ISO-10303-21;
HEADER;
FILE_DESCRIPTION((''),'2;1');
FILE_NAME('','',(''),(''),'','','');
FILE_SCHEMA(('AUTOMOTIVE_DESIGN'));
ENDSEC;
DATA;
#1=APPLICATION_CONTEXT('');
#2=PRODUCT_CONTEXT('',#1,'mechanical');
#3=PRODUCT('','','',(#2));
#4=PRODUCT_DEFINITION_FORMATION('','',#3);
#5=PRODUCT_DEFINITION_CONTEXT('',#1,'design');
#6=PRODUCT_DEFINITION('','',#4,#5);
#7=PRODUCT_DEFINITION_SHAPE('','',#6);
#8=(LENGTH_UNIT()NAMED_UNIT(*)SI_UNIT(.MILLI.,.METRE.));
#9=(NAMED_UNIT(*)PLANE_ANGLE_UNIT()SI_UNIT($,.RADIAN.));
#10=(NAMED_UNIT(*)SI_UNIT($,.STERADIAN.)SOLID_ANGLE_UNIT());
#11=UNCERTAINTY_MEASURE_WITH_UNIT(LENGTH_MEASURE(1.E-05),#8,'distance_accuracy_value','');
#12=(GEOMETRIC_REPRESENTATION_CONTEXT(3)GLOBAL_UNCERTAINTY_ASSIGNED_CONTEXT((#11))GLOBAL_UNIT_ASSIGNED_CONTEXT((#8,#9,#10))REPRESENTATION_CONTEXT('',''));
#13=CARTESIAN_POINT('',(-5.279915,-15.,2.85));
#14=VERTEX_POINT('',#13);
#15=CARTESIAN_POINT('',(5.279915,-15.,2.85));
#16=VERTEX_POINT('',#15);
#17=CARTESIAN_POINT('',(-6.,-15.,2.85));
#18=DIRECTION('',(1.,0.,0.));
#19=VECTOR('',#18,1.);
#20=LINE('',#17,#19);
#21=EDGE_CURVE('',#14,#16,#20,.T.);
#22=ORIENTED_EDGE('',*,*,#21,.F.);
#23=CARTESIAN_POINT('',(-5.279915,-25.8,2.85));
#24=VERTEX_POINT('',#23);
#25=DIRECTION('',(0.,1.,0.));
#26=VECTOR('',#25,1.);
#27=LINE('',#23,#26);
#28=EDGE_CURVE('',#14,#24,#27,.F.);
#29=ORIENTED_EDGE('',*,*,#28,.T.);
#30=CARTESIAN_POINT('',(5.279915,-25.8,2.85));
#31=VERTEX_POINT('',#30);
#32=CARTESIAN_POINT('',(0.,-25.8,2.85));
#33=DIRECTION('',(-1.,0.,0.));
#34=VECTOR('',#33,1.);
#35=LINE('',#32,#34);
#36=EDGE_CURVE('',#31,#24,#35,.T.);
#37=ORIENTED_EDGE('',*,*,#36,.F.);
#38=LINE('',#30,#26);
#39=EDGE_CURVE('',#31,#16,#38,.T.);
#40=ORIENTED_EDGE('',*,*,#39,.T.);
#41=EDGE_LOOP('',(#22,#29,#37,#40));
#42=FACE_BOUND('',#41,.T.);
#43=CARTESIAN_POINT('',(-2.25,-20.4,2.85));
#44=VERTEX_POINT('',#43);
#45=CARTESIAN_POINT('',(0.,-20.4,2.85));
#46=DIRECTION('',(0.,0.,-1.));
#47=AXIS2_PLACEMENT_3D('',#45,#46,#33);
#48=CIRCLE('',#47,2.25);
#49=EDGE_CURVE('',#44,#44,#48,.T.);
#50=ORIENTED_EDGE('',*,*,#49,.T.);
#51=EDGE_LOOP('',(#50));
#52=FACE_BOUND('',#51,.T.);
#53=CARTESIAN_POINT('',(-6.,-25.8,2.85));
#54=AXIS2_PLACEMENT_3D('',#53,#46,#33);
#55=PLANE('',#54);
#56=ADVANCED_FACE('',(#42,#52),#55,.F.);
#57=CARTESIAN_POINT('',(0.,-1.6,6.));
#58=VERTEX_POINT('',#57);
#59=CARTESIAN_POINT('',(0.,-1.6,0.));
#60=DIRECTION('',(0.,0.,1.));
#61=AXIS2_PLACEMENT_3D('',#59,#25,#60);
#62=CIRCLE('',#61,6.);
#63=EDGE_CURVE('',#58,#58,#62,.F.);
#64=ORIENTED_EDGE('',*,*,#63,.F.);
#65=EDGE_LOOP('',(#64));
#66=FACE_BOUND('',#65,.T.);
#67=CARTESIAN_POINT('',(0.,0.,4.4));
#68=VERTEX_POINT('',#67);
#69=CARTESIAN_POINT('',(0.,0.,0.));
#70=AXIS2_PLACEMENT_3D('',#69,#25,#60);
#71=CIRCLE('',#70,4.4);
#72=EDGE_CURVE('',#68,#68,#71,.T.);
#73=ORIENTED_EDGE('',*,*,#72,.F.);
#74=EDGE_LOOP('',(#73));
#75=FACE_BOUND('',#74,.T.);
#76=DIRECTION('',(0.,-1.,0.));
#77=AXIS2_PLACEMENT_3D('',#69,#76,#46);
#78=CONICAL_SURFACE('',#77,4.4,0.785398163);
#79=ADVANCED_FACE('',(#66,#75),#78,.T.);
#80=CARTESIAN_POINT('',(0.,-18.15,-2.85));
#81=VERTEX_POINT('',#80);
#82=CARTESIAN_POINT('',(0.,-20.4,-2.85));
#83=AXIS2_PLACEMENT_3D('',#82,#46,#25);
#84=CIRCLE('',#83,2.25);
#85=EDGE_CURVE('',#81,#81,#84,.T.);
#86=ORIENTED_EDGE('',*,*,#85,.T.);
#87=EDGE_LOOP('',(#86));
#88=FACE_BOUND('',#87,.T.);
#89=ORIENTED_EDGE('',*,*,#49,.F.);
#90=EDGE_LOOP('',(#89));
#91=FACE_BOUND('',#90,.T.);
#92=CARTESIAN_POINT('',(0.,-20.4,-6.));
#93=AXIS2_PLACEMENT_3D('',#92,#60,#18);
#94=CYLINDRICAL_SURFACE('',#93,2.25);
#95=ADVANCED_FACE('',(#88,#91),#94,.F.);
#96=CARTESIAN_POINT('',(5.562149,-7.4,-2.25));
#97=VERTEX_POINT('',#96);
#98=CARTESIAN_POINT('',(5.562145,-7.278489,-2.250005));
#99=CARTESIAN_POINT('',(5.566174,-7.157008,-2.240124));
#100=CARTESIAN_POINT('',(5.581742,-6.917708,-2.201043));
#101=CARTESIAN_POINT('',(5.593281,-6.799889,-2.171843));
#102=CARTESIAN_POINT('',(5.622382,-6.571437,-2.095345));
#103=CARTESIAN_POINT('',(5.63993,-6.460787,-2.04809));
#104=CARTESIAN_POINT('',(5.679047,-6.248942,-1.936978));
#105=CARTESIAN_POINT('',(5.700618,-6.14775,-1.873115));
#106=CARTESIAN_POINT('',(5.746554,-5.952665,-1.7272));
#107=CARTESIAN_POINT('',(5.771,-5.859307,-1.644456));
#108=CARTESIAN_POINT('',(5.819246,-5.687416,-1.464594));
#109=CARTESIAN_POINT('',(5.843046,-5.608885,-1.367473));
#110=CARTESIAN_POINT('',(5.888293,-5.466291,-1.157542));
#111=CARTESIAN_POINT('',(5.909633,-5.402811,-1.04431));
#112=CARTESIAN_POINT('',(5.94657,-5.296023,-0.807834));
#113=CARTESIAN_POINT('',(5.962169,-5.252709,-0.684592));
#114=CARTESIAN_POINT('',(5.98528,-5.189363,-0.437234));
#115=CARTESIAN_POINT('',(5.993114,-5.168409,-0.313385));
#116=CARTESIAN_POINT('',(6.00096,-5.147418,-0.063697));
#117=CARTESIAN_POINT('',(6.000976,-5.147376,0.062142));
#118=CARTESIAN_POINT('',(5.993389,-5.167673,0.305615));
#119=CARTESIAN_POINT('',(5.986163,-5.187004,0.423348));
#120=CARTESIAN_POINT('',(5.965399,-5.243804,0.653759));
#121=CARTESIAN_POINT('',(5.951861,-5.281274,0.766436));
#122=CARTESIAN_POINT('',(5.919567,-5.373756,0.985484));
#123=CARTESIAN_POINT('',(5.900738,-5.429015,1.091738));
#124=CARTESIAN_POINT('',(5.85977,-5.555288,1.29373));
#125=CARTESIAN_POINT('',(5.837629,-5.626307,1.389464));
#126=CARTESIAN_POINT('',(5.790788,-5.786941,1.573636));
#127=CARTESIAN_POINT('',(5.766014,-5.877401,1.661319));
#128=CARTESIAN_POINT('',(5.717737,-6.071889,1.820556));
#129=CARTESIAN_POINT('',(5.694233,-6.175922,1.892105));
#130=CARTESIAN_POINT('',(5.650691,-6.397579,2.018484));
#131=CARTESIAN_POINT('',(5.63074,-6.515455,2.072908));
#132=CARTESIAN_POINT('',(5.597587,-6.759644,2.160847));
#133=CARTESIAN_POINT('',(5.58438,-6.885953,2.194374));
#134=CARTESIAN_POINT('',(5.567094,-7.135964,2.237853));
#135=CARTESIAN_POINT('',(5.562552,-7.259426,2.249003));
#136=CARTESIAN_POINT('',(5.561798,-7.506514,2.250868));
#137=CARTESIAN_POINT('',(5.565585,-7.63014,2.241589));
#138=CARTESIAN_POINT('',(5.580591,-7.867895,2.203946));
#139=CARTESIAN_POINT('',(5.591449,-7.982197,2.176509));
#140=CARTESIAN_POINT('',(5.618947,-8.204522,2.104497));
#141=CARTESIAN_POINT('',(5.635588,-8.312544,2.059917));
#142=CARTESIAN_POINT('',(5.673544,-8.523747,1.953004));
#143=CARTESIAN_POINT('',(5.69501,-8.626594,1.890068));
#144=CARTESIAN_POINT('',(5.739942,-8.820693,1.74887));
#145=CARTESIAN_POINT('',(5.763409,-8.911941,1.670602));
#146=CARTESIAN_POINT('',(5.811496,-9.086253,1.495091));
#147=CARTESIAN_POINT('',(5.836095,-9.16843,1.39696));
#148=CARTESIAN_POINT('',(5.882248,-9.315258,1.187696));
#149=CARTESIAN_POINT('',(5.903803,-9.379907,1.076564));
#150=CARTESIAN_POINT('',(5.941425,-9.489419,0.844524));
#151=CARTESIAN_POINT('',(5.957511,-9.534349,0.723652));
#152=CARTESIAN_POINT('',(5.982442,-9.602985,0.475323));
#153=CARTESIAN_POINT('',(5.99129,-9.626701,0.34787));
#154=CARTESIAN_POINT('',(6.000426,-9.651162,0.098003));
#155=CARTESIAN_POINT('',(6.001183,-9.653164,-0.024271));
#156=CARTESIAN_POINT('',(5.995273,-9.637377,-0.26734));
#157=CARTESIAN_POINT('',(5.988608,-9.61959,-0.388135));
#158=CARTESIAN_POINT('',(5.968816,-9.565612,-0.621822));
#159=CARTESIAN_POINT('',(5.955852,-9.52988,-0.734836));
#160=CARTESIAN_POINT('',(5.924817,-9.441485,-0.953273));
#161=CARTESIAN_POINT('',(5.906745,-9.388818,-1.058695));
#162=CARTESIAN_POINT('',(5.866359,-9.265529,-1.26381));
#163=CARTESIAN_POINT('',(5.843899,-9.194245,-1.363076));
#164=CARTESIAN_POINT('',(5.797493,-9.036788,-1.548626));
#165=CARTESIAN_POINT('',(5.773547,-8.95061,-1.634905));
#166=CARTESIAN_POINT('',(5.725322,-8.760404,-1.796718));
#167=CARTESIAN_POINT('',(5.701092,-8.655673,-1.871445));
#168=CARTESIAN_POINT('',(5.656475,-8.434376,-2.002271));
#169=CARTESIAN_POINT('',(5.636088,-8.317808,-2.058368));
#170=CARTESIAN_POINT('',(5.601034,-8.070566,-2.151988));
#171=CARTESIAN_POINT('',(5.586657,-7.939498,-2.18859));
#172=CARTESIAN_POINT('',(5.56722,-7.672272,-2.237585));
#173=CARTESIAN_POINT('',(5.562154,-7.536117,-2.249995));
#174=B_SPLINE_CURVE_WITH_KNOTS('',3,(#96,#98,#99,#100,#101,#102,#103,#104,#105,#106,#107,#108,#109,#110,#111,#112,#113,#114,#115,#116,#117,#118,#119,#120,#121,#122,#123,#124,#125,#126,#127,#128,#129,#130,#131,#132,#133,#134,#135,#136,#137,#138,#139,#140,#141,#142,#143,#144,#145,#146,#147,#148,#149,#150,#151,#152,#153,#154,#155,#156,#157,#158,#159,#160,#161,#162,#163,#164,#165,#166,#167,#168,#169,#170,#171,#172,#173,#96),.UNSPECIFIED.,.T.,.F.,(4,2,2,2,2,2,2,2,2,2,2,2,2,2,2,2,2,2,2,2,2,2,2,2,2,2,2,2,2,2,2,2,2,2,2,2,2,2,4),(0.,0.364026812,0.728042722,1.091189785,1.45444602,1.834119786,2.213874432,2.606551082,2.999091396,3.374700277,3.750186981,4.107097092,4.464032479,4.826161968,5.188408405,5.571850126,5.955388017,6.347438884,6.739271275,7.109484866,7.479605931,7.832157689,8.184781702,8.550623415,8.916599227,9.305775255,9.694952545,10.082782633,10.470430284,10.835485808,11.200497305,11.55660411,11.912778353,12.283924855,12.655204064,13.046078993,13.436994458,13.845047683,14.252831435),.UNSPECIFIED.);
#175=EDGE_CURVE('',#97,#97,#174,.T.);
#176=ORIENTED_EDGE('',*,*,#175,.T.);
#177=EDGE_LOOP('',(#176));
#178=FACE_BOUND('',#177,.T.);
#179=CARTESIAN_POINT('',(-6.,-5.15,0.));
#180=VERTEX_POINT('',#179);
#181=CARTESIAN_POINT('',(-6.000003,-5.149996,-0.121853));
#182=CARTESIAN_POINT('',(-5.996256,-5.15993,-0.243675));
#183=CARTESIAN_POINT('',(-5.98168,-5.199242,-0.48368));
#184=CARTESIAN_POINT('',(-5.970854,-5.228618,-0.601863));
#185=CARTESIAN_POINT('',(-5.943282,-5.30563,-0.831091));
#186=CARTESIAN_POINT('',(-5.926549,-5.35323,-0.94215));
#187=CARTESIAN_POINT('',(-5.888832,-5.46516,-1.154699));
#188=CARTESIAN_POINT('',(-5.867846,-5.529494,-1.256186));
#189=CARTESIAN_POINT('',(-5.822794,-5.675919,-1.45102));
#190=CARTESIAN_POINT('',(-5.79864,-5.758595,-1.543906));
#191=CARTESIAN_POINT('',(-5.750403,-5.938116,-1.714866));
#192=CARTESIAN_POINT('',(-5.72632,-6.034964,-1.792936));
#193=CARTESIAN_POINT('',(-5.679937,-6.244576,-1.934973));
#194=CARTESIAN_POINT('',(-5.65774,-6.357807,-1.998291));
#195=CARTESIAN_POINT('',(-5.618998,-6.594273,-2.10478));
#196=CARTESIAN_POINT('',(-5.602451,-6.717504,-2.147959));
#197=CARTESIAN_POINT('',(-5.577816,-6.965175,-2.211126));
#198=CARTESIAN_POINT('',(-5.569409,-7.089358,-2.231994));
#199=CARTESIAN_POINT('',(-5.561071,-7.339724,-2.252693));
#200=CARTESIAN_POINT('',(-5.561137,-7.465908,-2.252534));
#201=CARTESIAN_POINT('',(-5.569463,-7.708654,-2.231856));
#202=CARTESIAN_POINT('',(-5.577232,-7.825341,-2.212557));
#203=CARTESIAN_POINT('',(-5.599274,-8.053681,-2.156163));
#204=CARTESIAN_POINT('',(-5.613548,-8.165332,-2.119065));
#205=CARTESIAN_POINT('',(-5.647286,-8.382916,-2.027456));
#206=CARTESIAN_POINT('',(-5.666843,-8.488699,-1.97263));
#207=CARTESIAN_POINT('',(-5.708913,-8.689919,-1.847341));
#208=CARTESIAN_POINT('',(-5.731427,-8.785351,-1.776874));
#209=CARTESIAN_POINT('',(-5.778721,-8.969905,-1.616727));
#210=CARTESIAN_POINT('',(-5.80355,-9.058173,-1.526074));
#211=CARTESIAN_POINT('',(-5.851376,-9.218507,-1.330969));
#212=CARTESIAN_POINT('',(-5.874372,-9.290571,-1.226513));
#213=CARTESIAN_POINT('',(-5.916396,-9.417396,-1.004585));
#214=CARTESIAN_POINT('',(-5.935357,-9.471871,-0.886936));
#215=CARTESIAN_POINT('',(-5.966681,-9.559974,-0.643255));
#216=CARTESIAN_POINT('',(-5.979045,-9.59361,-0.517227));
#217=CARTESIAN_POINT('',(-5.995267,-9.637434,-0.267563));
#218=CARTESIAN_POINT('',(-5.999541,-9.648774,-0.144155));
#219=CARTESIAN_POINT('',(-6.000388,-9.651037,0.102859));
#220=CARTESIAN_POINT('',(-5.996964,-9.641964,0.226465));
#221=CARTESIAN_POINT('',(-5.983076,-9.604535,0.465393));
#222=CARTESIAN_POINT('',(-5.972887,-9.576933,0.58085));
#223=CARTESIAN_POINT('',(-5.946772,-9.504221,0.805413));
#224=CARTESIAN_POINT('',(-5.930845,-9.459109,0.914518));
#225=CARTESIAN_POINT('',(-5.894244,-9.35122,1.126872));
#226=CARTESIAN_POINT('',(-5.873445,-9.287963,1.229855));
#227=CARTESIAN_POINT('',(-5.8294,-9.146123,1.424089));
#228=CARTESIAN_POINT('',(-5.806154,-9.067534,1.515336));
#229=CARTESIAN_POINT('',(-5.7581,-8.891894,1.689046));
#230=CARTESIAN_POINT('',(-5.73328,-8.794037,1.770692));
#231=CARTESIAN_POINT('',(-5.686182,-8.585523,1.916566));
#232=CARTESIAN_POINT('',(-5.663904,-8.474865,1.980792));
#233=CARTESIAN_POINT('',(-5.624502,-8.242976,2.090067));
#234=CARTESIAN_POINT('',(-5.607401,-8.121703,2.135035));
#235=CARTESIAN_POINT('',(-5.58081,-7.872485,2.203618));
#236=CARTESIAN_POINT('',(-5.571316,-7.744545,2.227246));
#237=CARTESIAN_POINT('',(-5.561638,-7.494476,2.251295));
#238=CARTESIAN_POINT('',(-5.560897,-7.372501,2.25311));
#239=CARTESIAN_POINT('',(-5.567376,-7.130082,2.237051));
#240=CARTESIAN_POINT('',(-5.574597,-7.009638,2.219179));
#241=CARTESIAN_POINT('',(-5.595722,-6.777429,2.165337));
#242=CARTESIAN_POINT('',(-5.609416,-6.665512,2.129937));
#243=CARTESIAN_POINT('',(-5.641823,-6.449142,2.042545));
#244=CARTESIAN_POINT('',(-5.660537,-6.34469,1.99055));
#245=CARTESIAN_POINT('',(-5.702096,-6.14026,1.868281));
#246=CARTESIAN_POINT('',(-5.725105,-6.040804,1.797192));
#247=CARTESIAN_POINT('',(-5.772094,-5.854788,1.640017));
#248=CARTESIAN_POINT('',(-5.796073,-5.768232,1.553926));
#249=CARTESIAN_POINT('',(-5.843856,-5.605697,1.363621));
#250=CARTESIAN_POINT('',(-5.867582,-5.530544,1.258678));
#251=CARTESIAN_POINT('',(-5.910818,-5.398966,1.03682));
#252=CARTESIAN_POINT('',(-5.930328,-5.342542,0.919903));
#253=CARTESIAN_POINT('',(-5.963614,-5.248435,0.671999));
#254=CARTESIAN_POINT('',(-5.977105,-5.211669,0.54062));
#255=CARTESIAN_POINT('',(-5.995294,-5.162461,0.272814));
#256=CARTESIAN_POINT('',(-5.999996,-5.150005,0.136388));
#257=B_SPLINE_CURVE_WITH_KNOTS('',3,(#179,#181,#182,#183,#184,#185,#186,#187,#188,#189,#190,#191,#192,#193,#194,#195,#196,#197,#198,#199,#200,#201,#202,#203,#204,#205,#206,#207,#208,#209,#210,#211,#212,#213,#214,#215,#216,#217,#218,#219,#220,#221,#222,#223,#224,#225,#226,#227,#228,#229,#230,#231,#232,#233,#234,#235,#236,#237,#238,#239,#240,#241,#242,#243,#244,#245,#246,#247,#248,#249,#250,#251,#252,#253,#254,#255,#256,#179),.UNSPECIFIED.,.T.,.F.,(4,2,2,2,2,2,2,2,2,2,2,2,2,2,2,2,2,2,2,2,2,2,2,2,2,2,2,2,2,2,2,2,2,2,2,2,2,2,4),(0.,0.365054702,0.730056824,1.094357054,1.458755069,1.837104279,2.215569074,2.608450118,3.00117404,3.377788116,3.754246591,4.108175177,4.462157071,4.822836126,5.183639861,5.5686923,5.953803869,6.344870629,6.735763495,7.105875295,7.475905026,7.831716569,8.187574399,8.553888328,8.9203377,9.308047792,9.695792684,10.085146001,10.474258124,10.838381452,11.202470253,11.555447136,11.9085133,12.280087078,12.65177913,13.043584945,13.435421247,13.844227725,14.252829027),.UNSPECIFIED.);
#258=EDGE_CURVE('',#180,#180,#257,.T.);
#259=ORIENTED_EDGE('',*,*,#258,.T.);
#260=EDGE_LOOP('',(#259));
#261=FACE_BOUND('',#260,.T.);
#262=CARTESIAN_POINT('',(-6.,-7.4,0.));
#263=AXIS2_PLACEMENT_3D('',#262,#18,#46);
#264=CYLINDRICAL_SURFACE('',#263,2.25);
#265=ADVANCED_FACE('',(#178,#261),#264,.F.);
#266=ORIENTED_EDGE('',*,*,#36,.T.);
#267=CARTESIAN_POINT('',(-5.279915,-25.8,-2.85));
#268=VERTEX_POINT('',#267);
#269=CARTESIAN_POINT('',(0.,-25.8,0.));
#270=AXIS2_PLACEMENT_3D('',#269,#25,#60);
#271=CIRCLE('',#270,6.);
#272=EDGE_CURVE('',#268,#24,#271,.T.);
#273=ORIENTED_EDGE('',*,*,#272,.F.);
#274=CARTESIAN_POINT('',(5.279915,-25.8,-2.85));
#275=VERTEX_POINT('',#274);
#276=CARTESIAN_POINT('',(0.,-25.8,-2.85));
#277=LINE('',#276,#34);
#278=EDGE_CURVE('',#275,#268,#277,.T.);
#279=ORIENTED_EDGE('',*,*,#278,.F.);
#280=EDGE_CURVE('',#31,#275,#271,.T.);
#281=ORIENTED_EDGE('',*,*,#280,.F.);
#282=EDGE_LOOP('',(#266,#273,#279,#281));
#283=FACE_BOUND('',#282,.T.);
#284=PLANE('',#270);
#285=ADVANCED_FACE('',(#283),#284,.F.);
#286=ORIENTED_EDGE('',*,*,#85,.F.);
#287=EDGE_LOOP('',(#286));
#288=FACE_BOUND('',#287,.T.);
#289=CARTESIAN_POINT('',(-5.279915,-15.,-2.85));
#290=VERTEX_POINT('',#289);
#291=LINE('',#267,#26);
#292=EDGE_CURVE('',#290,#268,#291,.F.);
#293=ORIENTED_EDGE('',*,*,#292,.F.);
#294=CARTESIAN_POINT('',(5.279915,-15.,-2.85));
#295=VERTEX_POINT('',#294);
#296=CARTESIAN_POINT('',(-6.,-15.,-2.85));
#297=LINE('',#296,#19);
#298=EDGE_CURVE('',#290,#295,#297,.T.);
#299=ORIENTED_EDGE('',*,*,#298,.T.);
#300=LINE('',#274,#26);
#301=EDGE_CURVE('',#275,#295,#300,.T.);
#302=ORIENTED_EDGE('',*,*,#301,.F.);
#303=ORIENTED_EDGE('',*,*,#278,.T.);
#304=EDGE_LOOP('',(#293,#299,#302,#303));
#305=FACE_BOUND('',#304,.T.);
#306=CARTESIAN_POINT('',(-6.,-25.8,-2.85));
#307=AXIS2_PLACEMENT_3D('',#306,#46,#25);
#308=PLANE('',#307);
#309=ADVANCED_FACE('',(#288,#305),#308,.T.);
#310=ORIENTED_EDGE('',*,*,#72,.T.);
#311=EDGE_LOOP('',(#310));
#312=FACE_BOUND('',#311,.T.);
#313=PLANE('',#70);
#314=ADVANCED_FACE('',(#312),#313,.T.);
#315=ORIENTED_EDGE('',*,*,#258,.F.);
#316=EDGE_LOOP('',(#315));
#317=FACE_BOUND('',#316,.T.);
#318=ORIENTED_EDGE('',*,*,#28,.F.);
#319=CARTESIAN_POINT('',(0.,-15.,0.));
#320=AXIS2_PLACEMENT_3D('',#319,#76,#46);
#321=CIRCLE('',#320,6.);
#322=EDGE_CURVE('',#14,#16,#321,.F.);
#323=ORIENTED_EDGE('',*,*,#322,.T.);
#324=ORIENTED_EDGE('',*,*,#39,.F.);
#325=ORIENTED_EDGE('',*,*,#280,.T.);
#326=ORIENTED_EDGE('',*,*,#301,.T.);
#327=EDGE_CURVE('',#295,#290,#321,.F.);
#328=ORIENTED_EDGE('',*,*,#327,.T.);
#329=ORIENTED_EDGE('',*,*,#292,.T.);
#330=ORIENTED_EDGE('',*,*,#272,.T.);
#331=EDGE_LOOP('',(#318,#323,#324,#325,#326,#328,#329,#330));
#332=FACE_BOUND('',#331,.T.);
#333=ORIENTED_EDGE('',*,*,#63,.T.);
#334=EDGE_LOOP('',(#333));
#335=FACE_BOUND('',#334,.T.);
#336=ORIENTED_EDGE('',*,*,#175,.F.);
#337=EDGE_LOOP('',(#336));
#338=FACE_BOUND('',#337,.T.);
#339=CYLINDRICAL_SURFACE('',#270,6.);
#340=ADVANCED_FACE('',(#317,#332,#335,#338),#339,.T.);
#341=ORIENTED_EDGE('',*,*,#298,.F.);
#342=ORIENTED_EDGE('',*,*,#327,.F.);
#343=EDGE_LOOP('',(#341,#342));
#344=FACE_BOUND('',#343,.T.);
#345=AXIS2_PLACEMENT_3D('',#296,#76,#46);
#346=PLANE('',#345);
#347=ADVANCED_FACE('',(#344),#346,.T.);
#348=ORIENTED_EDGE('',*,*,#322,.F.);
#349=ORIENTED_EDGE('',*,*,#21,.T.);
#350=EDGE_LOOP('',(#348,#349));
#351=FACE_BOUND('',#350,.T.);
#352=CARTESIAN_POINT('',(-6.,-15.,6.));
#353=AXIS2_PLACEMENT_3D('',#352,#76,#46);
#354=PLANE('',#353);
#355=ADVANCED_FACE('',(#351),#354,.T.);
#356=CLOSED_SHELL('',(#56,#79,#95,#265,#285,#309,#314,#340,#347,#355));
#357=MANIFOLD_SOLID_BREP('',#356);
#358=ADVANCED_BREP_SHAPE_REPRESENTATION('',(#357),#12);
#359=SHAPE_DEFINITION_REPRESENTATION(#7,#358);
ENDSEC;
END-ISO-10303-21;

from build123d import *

# Parameters (mm, degrees)
SKETCH1_R               = 6
BOSS_EXTRUDE1_DEPTH     = 25.8
CHAMFER1_SIZE           = 1.6
SKETCH2_W               = 3.15
SKETCH2_H               = 10.8
CUT_EXTRUDE1_DEPTH      = 7
CUT_EXTRUDE1_DEPTH_BACK = 7
SKETCH3_R               = 2.25
CUT_EXTRUDE2_DEPTH      = 4.15
CUT_EXTRUDE2_DEPTH_BACK = 9.85
SKETCH4_R               = 2.25
CUT_EXTRUDE3_DEPTH      = 7
CUT_EXTRUDE3_DEPTH_BACK = 7


with BuildPart() as part:
    # Sketch1 → Boss-Extrude1 (new body)
    with BuildSketch(Plane(origin=(0, 0, 0), x_dir=(1, 0, 0), z_dir=(0, 1, 0))):
        Circle(SKETCH1_R)
    extrude(amount=-BOSS_EXTRUDE1_DEPTH)

    # Chamfer1
    chamfer1_edges = [part.edges().sort_by_distance(p)[0] for p in [
        (-6, 0, 0),
    ]]
    chamfer(chamfer1_edges, length=CHAMFER1_SIZE)

    # Sketch2 → Cut-Extrude1 (cut, two sides)
    with BuildSketch(Plane(origin=(0, 0, 0), x_dir=(0, 0, -1), z_dir=(1, 0, 0))) as cut_extrude1_sk:
        with Locations((4.425, -20.4)):
            Rectangle(SKETCH2_W, SKETCH2_H)
        with Locations((-4.425, -20.4)):
            Rectangle(SKETCH2_W, SKETCH2_H)
    extrude(amount=CUT_EXTRUDE1_DEPTH, mode=Mode.SUBTRACT)
    extrude(cut_extrude1_sk.sketch, amount=-CUT_EXTRUDE1_DEPTH_BACK, mode=Mode.SUBTRACT)

    # Sketch3 → Cut-Extrude2 (cut, two sides)
    with BuildSketch(Plane.XY.offset(2.85)) as cut_extrude2_sk:
        with Locations((0, -20.4)):
            Circle(SKETCH3_R)
    extrude(amount=CUT_EXTRUDE2_DEPTH, mode=Mode.SUBTRACT)
    extrude(cut_extrude2_sk.sketch, amount=-CUT_EXTRUDE2_DEPTH_BACK, mode=Mode.SUBTRACT)

    # Sketch4 → Cut-Extrude3 (cut, two sides)
    with BuildSketch(Plane(origin=(0, 0, 0), x_dir=(0, 0, -1), z_dir=(1, 0, 0))) as cut_extrude3_sk:
        with Locations((0, -7.4)):
            Circle(SKETCH4_R)
    extrude(amount=CUT_EXTRUDE3_DEPTH, mode=Mode.SUBTRACT)
    extrude(cut_extrude3_sk.sketch, amount=-CUT_EXTRUDE3_DEPTH_BACK, mode=Mode.SUBTRACT)


solid = part.part
